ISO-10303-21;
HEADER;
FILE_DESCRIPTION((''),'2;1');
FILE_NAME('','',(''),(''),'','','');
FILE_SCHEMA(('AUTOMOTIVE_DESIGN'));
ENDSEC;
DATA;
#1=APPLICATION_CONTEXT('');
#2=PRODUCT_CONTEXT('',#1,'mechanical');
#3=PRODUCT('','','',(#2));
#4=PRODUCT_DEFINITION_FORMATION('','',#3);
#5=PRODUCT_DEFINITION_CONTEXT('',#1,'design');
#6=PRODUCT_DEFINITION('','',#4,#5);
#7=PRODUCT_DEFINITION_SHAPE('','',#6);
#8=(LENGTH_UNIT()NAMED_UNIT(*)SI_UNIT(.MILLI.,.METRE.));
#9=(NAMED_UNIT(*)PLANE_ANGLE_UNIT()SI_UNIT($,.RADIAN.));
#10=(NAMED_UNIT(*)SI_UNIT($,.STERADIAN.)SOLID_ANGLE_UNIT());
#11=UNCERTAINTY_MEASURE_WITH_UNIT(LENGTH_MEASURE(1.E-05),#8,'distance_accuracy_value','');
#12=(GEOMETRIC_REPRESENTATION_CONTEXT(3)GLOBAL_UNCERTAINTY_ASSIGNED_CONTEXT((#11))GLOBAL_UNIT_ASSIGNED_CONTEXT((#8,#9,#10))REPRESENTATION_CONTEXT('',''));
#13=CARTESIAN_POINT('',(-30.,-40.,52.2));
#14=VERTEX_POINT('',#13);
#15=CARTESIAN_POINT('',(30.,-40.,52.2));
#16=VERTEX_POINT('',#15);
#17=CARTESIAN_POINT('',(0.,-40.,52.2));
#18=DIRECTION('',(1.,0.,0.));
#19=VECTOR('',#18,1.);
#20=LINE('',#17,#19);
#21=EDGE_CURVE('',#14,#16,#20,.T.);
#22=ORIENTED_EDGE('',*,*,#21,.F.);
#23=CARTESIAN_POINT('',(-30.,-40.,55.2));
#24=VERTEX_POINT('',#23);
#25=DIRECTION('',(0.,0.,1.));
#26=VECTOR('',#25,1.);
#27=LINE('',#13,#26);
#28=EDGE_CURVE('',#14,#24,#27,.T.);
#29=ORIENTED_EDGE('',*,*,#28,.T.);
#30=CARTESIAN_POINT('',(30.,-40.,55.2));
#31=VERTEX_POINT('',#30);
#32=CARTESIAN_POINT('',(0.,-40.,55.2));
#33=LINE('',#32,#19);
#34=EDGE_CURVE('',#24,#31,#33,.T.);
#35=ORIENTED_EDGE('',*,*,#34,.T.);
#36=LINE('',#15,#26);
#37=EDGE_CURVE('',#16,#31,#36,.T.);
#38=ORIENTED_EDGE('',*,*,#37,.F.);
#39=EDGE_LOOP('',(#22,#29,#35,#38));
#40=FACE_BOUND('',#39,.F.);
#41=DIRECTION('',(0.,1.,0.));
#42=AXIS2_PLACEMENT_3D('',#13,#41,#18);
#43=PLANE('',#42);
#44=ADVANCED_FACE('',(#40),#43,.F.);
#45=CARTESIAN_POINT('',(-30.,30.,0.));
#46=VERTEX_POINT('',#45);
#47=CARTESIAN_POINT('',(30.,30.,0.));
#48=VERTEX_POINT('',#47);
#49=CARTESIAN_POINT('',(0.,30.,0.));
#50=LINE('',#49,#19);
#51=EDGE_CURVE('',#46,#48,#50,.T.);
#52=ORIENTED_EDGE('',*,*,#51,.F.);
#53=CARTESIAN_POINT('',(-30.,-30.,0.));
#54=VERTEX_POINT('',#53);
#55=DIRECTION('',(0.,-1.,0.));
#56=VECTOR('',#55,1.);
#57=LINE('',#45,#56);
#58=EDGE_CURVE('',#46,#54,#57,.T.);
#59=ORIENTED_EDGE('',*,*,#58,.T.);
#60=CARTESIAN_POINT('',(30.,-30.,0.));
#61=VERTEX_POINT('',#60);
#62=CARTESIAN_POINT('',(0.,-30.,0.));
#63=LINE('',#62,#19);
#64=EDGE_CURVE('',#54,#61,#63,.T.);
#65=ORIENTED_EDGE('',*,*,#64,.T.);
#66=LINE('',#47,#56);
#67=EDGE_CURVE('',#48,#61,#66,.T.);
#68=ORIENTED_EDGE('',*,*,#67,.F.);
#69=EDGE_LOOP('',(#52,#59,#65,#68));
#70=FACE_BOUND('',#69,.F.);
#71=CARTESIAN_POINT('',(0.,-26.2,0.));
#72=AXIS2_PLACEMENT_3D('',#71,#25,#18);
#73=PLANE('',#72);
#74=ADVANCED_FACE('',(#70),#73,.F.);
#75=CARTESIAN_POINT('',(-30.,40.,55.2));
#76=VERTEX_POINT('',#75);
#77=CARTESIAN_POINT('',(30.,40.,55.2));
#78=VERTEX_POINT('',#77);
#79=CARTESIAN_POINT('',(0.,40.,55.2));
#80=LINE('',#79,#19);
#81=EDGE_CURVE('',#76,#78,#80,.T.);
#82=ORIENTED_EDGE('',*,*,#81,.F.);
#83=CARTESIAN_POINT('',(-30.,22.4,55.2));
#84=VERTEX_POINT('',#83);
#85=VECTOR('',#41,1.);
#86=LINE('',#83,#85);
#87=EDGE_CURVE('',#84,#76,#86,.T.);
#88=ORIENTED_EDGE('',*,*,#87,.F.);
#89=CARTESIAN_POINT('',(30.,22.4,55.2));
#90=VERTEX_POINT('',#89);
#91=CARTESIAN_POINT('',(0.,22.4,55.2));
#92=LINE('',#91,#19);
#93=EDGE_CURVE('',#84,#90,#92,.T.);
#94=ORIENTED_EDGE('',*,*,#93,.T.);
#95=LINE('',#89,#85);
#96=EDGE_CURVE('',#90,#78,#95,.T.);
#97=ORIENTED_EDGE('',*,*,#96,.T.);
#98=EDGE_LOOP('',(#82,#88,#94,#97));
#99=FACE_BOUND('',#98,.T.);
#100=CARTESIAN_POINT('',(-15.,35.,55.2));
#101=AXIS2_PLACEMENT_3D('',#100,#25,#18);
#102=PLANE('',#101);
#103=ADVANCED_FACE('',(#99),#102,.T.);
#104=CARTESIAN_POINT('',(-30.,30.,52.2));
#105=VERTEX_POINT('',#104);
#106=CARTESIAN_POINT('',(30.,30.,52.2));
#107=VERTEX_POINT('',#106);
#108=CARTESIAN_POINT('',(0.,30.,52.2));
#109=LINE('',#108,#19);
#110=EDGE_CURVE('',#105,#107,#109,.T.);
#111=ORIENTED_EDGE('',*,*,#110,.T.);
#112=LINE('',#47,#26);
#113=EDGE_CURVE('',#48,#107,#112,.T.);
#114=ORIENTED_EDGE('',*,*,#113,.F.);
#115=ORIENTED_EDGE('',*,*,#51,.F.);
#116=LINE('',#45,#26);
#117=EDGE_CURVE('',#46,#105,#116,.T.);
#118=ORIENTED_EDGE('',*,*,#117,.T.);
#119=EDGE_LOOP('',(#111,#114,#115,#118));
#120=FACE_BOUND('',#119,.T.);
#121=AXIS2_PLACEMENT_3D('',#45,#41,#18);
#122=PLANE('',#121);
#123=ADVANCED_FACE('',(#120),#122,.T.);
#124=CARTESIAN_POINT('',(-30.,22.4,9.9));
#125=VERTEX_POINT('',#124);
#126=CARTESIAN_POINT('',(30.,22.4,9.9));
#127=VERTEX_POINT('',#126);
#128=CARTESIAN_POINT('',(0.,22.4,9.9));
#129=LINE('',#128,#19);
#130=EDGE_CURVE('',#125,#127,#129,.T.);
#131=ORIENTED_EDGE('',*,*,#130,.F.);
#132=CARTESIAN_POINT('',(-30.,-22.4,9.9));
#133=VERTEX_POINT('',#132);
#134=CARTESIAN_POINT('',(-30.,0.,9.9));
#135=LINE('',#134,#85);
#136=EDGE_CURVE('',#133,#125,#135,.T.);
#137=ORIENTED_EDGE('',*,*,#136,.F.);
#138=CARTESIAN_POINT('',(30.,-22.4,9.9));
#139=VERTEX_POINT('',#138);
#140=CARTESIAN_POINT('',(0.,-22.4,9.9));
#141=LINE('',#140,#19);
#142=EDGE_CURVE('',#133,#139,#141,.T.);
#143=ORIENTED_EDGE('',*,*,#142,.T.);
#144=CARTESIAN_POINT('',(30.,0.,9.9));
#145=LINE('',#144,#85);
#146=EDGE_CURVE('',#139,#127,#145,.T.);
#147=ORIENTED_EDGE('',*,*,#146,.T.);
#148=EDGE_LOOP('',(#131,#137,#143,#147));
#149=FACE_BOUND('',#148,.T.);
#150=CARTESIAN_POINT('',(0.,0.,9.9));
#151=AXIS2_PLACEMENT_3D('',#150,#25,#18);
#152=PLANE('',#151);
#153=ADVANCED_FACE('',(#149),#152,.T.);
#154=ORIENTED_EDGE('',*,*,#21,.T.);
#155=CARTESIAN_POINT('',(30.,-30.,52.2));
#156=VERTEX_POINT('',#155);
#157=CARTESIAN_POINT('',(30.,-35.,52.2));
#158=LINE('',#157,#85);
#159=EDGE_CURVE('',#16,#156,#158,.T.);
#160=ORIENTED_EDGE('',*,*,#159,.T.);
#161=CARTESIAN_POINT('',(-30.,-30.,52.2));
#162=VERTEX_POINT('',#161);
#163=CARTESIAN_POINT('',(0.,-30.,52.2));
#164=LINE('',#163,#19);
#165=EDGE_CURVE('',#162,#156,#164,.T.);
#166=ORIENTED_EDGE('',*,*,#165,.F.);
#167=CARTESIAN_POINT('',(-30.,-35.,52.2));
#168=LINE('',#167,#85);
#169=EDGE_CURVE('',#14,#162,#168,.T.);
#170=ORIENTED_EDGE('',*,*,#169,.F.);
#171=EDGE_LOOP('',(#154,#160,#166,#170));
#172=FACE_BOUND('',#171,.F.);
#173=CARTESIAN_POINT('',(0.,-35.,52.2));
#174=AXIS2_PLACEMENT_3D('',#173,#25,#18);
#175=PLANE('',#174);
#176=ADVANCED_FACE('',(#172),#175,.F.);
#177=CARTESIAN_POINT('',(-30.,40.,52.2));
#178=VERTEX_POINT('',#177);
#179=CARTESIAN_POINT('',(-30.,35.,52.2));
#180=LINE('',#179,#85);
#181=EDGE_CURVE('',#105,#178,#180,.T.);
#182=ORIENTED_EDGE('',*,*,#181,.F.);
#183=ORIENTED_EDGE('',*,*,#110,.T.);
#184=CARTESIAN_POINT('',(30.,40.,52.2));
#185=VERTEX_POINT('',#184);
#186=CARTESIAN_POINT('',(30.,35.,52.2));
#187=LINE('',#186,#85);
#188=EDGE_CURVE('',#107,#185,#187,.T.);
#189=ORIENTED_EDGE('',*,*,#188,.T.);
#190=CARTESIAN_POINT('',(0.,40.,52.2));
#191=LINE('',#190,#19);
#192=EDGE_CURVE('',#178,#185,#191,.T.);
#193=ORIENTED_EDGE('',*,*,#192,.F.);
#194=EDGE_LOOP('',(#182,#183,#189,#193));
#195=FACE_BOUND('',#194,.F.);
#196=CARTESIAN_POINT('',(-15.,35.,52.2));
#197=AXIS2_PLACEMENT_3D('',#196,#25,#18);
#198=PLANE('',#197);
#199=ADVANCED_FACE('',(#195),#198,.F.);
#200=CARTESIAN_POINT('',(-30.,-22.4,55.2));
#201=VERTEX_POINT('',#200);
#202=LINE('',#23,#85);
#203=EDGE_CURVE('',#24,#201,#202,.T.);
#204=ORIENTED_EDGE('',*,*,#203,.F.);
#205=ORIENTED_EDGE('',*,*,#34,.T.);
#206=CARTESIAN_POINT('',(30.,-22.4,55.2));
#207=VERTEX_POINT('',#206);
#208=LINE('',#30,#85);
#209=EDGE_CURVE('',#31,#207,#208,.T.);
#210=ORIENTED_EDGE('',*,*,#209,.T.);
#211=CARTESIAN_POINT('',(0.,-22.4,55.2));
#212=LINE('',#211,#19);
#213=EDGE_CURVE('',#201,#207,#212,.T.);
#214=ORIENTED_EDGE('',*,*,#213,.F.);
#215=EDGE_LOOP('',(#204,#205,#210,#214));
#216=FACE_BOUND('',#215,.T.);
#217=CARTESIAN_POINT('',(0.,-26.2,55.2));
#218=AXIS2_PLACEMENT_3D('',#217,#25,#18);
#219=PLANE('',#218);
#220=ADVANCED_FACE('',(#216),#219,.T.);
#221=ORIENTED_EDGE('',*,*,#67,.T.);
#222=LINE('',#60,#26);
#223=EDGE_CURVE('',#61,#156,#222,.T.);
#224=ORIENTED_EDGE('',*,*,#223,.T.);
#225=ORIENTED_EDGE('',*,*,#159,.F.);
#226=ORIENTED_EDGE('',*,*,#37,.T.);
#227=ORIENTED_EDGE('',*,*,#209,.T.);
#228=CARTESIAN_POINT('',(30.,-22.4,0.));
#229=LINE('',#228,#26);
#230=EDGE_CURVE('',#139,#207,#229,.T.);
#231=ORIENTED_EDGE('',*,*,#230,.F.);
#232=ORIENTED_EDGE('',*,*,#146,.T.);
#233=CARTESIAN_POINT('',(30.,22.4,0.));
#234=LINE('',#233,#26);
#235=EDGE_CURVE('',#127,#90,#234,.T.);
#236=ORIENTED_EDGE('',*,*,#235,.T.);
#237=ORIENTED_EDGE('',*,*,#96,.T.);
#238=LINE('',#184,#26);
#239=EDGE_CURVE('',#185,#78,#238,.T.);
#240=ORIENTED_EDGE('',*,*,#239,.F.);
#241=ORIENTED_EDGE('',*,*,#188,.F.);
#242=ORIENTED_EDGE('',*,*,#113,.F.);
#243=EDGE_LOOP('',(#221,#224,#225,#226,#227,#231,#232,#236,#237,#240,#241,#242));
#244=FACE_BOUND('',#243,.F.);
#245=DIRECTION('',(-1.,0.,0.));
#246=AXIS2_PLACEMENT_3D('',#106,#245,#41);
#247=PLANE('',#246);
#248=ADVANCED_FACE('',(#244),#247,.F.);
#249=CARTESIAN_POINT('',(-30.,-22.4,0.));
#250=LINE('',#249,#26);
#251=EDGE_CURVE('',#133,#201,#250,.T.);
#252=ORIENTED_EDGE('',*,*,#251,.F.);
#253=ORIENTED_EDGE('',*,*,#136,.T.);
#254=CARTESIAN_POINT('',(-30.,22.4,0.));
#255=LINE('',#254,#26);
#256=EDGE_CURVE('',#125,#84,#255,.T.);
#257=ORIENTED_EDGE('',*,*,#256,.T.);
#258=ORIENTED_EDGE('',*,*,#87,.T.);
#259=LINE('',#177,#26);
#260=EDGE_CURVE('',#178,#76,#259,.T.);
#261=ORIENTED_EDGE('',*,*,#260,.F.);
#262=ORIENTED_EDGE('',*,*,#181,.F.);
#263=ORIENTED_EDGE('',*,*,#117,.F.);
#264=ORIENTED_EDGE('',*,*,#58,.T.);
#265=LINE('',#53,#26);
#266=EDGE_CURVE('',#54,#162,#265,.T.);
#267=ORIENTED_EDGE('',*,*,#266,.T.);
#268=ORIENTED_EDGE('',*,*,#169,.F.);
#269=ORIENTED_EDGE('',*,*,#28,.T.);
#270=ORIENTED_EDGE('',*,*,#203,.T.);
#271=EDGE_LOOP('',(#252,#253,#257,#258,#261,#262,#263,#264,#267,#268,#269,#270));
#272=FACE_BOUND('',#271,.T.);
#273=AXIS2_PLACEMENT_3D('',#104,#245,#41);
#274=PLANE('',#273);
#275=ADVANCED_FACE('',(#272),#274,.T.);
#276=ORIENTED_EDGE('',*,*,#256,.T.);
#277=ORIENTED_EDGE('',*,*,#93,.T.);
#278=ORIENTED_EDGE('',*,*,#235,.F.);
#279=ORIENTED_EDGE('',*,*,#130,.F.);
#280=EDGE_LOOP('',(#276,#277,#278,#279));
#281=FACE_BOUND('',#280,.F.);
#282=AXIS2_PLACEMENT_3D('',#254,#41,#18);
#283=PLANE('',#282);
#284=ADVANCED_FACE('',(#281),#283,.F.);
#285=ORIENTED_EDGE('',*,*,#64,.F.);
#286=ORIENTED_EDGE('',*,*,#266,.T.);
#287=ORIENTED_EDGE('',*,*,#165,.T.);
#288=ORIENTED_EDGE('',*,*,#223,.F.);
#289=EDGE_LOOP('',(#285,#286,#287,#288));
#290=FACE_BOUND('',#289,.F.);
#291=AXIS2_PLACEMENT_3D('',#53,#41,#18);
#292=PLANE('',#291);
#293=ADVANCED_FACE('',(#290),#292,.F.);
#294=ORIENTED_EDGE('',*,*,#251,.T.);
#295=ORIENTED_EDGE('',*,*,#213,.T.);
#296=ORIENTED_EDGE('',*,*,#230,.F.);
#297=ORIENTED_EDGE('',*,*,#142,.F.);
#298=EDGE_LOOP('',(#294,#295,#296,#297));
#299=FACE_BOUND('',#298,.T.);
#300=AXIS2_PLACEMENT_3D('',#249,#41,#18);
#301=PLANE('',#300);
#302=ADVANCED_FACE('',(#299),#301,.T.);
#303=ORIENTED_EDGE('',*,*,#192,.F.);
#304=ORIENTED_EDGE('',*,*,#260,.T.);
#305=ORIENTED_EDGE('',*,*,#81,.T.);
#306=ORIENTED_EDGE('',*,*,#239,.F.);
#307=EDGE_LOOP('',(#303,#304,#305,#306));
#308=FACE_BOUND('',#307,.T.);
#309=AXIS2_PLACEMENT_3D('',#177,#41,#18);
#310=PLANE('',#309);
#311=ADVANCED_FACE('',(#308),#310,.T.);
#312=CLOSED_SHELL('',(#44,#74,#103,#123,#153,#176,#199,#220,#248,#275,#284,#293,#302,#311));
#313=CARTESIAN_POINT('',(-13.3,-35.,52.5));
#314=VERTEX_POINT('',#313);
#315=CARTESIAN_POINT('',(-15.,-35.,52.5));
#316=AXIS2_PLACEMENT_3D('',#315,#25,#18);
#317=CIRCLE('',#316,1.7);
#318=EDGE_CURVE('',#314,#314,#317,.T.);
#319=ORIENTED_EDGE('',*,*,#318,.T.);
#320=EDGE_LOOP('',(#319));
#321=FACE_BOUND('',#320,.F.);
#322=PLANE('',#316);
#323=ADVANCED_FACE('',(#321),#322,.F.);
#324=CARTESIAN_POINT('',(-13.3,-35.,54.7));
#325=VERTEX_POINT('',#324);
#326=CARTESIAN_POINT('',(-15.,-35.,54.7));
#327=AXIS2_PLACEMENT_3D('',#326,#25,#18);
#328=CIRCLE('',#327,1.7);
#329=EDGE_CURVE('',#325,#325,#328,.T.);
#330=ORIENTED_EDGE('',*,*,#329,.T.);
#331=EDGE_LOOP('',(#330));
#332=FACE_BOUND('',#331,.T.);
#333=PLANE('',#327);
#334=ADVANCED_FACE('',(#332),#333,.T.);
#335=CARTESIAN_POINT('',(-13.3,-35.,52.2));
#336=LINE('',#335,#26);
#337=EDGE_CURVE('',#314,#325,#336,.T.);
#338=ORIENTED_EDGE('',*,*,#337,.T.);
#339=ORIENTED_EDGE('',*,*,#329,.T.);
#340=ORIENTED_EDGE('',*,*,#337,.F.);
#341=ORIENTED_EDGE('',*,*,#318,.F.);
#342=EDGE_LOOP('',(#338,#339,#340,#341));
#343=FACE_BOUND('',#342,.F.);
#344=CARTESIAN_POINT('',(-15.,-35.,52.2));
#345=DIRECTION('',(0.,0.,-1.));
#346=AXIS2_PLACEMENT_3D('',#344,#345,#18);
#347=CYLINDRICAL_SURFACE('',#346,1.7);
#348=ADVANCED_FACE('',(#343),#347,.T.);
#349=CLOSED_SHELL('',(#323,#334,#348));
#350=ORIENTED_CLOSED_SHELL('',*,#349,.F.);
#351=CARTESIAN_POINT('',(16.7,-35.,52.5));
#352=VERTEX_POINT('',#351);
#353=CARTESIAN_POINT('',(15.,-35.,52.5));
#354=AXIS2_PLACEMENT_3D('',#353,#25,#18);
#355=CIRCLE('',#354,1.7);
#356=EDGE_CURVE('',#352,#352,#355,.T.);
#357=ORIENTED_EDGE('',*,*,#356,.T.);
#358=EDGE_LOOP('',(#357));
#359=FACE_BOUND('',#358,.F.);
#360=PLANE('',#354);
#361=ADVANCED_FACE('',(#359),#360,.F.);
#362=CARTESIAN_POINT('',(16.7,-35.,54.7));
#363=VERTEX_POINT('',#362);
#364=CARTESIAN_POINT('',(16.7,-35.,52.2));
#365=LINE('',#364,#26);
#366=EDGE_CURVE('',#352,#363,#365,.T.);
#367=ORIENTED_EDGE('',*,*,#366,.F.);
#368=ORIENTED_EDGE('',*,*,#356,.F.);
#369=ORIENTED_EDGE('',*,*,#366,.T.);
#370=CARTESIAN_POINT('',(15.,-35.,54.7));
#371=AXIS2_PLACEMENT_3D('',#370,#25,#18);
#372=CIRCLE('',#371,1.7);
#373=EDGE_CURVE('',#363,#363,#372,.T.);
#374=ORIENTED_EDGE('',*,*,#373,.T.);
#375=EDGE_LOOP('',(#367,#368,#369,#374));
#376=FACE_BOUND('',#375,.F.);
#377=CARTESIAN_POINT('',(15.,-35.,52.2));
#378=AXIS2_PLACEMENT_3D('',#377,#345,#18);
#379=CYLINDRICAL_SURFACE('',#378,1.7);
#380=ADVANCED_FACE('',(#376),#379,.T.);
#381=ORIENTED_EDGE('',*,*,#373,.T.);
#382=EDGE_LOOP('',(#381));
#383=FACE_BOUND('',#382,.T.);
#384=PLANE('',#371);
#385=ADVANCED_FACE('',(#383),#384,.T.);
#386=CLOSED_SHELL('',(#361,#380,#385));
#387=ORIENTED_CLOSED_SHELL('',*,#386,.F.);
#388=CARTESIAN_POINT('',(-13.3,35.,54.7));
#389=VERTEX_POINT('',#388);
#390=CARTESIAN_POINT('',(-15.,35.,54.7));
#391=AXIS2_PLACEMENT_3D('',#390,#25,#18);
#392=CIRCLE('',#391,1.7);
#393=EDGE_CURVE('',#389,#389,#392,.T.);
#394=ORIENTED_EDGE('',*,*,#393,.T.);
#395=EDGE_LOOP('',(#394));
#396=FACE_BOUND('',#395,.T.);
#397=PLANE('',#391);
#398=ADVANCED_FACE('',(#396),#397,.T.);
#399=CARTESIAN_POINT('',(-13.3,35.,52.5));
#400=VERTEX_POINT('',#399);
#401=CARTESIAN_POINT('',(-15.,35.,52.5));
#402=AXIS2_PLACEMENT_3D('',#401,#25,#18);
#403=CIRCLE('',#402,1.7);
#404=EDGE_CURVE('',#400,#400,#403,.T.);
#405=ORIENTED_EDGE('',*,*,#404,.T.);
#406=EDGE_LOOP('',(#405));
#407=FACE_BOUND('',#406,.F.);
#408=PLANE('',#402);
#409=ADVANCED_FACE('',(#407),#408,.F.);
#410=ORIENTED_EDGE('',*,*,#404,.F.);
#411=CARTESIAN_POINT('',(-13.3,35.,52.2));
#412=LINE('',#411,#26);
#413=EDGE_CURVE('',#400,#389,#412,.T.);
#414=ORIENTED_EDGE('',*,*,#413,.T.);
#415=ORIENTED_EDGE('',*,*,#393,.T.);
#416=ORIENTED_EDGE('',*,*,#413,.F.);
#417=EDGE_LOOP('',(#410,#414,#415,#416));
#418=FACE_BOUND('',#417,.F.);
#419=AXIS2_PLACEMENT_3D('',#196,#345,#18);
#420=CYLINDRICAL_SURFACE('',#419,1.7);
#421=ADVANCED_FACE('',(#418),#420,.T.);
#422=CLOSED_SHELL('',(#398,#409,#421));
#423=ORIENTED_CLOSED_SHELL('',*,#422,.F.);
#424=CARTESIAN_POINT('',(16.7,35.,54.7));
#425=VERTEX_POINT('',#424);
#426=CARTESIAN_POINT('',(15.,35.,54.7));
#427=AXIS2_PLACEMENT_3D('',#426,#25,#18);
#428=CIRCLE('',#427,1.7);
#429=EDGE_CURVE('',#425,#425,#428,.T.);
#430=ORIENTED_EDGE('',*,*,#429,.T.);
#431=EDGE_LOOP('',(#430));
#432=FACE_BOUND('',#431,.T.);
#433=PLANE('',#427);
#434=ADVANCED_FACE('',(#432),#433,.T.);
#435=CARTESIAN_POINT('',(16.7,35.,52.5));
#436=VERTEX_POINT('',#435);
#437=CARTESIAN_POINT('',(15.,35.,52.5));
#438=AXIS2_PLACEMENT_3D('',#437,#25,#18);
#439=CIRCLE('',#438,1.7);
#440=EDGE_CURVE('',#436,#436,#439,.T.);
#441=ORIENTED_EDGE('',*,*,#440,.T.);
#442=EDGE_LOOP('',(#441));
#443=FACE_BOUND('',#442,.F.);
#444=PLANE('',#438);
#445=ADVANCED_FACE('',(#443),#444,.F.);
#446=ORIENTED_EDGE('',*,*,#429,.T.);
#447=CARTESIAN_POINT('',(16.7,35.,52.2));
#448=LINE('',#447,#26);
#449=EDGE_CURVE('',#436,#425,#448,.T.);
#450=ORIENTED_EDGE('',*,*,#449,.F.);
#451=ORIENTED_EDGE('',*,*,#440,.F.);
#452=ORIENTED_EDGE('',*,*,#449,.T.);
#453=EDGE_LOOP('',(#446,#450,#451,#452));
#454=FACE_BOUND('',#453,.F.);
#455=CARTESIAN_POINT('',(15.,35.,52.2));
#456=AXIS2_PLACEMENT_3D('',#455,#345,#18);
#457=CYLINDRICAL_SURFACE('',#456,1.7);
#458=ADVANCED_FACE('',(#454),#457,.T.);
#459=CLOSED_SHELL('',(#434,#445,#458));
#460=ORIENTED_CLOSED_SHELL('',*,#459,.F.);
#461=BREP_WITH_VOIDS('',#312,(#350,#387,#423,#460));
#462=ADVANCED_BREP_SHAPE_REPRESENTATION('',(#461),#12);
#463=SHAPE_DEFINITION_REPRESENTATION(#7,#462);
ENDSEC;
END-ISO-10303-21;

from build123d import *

# Parameters (mm, degrees)
F0_W     = 60
F0_H     = 44.8
F1_DEPTH = 9.9
F0_H_2   = 7.6
F2_DEPTH = 55.2
F3_START = 52.2
F0_H_3   = 10
F0_R     = 1.7
F3_DEPTH = 3
F4_START = 52.2
F4_DEPTH = 0.3
F5_START = 54.7
F5_DEPTH = 0.5


with BuildPart() as f1:
    # F0 (on Top) → F1 (new body)
    with BuildSketch(Plane.XY):
        Rectangle(F0_W, F0_H)
    extrude(amount=F1_DEPTH)

    # F0 (on Top) → F2 (join)
    with BuildSketch(Plane.XY):
        with Locations((0, -26.2)):
            Rectangle(F0_W, F0_H_2)
        with Locations((0, 26.2)):
            Rectangle(F0_W, F0_H_2)
    extrude(amount=F2_DEPTH)

    # F0 (on Top) → F3 (join)
    with BuildSketch(Plane.XY.offset(F3_START)):
        with Locations((0, 35)):
            Rectangle(F0_W, F0_H_3)
        with Locations((-15, 35)):
            Circle(F0_R, mode=Mode.SUBTRACT)
        with Locations((15, 35)):
            Circle(F0_R, mode=Mode.SUBTRACT)
        with Locations((0, -35)):
            Rectangle(F0_W, F0_H_3)
        with Locations((-15, -35)):
            Circle(F0_R, mode=Mode.SUBTRACT)
        with Locations((15, -35)):
            Circle(F0_R, mode=Mode.SUBTRACT)
    extrude(amount=F3_DEPTH)

    # F0 (on Top) → F4 (join)
    with BuildSketch(Plane.XY.offset(F4_START)):
        with Locations((-15, 35)):
            Circle(F0_R)
        with Locations((15, 35)):
            Circle(F0_R)
        with Locations((-15, -35)):
            Circle(F0_R)
        with Locations((15, -35)):
            Circle(F0_R)
    extrude(amount=F4_DEPTH)

    # F0 (on Top) → F5 (join)
    with BuildSketch(Plane.XY.offset(F5_START)):
        with Locations((-15, 35)):
            Circle(F0_R)
        with Locations((15, 35)):
            Circle(F0_R)
        with Locations((-15, -35)):
            Circle(F0_R)
        with Locations((15, -35)):
            Circle(F0_R)
    extrude(amount=F5_DEPTH)


solid = f1.part
